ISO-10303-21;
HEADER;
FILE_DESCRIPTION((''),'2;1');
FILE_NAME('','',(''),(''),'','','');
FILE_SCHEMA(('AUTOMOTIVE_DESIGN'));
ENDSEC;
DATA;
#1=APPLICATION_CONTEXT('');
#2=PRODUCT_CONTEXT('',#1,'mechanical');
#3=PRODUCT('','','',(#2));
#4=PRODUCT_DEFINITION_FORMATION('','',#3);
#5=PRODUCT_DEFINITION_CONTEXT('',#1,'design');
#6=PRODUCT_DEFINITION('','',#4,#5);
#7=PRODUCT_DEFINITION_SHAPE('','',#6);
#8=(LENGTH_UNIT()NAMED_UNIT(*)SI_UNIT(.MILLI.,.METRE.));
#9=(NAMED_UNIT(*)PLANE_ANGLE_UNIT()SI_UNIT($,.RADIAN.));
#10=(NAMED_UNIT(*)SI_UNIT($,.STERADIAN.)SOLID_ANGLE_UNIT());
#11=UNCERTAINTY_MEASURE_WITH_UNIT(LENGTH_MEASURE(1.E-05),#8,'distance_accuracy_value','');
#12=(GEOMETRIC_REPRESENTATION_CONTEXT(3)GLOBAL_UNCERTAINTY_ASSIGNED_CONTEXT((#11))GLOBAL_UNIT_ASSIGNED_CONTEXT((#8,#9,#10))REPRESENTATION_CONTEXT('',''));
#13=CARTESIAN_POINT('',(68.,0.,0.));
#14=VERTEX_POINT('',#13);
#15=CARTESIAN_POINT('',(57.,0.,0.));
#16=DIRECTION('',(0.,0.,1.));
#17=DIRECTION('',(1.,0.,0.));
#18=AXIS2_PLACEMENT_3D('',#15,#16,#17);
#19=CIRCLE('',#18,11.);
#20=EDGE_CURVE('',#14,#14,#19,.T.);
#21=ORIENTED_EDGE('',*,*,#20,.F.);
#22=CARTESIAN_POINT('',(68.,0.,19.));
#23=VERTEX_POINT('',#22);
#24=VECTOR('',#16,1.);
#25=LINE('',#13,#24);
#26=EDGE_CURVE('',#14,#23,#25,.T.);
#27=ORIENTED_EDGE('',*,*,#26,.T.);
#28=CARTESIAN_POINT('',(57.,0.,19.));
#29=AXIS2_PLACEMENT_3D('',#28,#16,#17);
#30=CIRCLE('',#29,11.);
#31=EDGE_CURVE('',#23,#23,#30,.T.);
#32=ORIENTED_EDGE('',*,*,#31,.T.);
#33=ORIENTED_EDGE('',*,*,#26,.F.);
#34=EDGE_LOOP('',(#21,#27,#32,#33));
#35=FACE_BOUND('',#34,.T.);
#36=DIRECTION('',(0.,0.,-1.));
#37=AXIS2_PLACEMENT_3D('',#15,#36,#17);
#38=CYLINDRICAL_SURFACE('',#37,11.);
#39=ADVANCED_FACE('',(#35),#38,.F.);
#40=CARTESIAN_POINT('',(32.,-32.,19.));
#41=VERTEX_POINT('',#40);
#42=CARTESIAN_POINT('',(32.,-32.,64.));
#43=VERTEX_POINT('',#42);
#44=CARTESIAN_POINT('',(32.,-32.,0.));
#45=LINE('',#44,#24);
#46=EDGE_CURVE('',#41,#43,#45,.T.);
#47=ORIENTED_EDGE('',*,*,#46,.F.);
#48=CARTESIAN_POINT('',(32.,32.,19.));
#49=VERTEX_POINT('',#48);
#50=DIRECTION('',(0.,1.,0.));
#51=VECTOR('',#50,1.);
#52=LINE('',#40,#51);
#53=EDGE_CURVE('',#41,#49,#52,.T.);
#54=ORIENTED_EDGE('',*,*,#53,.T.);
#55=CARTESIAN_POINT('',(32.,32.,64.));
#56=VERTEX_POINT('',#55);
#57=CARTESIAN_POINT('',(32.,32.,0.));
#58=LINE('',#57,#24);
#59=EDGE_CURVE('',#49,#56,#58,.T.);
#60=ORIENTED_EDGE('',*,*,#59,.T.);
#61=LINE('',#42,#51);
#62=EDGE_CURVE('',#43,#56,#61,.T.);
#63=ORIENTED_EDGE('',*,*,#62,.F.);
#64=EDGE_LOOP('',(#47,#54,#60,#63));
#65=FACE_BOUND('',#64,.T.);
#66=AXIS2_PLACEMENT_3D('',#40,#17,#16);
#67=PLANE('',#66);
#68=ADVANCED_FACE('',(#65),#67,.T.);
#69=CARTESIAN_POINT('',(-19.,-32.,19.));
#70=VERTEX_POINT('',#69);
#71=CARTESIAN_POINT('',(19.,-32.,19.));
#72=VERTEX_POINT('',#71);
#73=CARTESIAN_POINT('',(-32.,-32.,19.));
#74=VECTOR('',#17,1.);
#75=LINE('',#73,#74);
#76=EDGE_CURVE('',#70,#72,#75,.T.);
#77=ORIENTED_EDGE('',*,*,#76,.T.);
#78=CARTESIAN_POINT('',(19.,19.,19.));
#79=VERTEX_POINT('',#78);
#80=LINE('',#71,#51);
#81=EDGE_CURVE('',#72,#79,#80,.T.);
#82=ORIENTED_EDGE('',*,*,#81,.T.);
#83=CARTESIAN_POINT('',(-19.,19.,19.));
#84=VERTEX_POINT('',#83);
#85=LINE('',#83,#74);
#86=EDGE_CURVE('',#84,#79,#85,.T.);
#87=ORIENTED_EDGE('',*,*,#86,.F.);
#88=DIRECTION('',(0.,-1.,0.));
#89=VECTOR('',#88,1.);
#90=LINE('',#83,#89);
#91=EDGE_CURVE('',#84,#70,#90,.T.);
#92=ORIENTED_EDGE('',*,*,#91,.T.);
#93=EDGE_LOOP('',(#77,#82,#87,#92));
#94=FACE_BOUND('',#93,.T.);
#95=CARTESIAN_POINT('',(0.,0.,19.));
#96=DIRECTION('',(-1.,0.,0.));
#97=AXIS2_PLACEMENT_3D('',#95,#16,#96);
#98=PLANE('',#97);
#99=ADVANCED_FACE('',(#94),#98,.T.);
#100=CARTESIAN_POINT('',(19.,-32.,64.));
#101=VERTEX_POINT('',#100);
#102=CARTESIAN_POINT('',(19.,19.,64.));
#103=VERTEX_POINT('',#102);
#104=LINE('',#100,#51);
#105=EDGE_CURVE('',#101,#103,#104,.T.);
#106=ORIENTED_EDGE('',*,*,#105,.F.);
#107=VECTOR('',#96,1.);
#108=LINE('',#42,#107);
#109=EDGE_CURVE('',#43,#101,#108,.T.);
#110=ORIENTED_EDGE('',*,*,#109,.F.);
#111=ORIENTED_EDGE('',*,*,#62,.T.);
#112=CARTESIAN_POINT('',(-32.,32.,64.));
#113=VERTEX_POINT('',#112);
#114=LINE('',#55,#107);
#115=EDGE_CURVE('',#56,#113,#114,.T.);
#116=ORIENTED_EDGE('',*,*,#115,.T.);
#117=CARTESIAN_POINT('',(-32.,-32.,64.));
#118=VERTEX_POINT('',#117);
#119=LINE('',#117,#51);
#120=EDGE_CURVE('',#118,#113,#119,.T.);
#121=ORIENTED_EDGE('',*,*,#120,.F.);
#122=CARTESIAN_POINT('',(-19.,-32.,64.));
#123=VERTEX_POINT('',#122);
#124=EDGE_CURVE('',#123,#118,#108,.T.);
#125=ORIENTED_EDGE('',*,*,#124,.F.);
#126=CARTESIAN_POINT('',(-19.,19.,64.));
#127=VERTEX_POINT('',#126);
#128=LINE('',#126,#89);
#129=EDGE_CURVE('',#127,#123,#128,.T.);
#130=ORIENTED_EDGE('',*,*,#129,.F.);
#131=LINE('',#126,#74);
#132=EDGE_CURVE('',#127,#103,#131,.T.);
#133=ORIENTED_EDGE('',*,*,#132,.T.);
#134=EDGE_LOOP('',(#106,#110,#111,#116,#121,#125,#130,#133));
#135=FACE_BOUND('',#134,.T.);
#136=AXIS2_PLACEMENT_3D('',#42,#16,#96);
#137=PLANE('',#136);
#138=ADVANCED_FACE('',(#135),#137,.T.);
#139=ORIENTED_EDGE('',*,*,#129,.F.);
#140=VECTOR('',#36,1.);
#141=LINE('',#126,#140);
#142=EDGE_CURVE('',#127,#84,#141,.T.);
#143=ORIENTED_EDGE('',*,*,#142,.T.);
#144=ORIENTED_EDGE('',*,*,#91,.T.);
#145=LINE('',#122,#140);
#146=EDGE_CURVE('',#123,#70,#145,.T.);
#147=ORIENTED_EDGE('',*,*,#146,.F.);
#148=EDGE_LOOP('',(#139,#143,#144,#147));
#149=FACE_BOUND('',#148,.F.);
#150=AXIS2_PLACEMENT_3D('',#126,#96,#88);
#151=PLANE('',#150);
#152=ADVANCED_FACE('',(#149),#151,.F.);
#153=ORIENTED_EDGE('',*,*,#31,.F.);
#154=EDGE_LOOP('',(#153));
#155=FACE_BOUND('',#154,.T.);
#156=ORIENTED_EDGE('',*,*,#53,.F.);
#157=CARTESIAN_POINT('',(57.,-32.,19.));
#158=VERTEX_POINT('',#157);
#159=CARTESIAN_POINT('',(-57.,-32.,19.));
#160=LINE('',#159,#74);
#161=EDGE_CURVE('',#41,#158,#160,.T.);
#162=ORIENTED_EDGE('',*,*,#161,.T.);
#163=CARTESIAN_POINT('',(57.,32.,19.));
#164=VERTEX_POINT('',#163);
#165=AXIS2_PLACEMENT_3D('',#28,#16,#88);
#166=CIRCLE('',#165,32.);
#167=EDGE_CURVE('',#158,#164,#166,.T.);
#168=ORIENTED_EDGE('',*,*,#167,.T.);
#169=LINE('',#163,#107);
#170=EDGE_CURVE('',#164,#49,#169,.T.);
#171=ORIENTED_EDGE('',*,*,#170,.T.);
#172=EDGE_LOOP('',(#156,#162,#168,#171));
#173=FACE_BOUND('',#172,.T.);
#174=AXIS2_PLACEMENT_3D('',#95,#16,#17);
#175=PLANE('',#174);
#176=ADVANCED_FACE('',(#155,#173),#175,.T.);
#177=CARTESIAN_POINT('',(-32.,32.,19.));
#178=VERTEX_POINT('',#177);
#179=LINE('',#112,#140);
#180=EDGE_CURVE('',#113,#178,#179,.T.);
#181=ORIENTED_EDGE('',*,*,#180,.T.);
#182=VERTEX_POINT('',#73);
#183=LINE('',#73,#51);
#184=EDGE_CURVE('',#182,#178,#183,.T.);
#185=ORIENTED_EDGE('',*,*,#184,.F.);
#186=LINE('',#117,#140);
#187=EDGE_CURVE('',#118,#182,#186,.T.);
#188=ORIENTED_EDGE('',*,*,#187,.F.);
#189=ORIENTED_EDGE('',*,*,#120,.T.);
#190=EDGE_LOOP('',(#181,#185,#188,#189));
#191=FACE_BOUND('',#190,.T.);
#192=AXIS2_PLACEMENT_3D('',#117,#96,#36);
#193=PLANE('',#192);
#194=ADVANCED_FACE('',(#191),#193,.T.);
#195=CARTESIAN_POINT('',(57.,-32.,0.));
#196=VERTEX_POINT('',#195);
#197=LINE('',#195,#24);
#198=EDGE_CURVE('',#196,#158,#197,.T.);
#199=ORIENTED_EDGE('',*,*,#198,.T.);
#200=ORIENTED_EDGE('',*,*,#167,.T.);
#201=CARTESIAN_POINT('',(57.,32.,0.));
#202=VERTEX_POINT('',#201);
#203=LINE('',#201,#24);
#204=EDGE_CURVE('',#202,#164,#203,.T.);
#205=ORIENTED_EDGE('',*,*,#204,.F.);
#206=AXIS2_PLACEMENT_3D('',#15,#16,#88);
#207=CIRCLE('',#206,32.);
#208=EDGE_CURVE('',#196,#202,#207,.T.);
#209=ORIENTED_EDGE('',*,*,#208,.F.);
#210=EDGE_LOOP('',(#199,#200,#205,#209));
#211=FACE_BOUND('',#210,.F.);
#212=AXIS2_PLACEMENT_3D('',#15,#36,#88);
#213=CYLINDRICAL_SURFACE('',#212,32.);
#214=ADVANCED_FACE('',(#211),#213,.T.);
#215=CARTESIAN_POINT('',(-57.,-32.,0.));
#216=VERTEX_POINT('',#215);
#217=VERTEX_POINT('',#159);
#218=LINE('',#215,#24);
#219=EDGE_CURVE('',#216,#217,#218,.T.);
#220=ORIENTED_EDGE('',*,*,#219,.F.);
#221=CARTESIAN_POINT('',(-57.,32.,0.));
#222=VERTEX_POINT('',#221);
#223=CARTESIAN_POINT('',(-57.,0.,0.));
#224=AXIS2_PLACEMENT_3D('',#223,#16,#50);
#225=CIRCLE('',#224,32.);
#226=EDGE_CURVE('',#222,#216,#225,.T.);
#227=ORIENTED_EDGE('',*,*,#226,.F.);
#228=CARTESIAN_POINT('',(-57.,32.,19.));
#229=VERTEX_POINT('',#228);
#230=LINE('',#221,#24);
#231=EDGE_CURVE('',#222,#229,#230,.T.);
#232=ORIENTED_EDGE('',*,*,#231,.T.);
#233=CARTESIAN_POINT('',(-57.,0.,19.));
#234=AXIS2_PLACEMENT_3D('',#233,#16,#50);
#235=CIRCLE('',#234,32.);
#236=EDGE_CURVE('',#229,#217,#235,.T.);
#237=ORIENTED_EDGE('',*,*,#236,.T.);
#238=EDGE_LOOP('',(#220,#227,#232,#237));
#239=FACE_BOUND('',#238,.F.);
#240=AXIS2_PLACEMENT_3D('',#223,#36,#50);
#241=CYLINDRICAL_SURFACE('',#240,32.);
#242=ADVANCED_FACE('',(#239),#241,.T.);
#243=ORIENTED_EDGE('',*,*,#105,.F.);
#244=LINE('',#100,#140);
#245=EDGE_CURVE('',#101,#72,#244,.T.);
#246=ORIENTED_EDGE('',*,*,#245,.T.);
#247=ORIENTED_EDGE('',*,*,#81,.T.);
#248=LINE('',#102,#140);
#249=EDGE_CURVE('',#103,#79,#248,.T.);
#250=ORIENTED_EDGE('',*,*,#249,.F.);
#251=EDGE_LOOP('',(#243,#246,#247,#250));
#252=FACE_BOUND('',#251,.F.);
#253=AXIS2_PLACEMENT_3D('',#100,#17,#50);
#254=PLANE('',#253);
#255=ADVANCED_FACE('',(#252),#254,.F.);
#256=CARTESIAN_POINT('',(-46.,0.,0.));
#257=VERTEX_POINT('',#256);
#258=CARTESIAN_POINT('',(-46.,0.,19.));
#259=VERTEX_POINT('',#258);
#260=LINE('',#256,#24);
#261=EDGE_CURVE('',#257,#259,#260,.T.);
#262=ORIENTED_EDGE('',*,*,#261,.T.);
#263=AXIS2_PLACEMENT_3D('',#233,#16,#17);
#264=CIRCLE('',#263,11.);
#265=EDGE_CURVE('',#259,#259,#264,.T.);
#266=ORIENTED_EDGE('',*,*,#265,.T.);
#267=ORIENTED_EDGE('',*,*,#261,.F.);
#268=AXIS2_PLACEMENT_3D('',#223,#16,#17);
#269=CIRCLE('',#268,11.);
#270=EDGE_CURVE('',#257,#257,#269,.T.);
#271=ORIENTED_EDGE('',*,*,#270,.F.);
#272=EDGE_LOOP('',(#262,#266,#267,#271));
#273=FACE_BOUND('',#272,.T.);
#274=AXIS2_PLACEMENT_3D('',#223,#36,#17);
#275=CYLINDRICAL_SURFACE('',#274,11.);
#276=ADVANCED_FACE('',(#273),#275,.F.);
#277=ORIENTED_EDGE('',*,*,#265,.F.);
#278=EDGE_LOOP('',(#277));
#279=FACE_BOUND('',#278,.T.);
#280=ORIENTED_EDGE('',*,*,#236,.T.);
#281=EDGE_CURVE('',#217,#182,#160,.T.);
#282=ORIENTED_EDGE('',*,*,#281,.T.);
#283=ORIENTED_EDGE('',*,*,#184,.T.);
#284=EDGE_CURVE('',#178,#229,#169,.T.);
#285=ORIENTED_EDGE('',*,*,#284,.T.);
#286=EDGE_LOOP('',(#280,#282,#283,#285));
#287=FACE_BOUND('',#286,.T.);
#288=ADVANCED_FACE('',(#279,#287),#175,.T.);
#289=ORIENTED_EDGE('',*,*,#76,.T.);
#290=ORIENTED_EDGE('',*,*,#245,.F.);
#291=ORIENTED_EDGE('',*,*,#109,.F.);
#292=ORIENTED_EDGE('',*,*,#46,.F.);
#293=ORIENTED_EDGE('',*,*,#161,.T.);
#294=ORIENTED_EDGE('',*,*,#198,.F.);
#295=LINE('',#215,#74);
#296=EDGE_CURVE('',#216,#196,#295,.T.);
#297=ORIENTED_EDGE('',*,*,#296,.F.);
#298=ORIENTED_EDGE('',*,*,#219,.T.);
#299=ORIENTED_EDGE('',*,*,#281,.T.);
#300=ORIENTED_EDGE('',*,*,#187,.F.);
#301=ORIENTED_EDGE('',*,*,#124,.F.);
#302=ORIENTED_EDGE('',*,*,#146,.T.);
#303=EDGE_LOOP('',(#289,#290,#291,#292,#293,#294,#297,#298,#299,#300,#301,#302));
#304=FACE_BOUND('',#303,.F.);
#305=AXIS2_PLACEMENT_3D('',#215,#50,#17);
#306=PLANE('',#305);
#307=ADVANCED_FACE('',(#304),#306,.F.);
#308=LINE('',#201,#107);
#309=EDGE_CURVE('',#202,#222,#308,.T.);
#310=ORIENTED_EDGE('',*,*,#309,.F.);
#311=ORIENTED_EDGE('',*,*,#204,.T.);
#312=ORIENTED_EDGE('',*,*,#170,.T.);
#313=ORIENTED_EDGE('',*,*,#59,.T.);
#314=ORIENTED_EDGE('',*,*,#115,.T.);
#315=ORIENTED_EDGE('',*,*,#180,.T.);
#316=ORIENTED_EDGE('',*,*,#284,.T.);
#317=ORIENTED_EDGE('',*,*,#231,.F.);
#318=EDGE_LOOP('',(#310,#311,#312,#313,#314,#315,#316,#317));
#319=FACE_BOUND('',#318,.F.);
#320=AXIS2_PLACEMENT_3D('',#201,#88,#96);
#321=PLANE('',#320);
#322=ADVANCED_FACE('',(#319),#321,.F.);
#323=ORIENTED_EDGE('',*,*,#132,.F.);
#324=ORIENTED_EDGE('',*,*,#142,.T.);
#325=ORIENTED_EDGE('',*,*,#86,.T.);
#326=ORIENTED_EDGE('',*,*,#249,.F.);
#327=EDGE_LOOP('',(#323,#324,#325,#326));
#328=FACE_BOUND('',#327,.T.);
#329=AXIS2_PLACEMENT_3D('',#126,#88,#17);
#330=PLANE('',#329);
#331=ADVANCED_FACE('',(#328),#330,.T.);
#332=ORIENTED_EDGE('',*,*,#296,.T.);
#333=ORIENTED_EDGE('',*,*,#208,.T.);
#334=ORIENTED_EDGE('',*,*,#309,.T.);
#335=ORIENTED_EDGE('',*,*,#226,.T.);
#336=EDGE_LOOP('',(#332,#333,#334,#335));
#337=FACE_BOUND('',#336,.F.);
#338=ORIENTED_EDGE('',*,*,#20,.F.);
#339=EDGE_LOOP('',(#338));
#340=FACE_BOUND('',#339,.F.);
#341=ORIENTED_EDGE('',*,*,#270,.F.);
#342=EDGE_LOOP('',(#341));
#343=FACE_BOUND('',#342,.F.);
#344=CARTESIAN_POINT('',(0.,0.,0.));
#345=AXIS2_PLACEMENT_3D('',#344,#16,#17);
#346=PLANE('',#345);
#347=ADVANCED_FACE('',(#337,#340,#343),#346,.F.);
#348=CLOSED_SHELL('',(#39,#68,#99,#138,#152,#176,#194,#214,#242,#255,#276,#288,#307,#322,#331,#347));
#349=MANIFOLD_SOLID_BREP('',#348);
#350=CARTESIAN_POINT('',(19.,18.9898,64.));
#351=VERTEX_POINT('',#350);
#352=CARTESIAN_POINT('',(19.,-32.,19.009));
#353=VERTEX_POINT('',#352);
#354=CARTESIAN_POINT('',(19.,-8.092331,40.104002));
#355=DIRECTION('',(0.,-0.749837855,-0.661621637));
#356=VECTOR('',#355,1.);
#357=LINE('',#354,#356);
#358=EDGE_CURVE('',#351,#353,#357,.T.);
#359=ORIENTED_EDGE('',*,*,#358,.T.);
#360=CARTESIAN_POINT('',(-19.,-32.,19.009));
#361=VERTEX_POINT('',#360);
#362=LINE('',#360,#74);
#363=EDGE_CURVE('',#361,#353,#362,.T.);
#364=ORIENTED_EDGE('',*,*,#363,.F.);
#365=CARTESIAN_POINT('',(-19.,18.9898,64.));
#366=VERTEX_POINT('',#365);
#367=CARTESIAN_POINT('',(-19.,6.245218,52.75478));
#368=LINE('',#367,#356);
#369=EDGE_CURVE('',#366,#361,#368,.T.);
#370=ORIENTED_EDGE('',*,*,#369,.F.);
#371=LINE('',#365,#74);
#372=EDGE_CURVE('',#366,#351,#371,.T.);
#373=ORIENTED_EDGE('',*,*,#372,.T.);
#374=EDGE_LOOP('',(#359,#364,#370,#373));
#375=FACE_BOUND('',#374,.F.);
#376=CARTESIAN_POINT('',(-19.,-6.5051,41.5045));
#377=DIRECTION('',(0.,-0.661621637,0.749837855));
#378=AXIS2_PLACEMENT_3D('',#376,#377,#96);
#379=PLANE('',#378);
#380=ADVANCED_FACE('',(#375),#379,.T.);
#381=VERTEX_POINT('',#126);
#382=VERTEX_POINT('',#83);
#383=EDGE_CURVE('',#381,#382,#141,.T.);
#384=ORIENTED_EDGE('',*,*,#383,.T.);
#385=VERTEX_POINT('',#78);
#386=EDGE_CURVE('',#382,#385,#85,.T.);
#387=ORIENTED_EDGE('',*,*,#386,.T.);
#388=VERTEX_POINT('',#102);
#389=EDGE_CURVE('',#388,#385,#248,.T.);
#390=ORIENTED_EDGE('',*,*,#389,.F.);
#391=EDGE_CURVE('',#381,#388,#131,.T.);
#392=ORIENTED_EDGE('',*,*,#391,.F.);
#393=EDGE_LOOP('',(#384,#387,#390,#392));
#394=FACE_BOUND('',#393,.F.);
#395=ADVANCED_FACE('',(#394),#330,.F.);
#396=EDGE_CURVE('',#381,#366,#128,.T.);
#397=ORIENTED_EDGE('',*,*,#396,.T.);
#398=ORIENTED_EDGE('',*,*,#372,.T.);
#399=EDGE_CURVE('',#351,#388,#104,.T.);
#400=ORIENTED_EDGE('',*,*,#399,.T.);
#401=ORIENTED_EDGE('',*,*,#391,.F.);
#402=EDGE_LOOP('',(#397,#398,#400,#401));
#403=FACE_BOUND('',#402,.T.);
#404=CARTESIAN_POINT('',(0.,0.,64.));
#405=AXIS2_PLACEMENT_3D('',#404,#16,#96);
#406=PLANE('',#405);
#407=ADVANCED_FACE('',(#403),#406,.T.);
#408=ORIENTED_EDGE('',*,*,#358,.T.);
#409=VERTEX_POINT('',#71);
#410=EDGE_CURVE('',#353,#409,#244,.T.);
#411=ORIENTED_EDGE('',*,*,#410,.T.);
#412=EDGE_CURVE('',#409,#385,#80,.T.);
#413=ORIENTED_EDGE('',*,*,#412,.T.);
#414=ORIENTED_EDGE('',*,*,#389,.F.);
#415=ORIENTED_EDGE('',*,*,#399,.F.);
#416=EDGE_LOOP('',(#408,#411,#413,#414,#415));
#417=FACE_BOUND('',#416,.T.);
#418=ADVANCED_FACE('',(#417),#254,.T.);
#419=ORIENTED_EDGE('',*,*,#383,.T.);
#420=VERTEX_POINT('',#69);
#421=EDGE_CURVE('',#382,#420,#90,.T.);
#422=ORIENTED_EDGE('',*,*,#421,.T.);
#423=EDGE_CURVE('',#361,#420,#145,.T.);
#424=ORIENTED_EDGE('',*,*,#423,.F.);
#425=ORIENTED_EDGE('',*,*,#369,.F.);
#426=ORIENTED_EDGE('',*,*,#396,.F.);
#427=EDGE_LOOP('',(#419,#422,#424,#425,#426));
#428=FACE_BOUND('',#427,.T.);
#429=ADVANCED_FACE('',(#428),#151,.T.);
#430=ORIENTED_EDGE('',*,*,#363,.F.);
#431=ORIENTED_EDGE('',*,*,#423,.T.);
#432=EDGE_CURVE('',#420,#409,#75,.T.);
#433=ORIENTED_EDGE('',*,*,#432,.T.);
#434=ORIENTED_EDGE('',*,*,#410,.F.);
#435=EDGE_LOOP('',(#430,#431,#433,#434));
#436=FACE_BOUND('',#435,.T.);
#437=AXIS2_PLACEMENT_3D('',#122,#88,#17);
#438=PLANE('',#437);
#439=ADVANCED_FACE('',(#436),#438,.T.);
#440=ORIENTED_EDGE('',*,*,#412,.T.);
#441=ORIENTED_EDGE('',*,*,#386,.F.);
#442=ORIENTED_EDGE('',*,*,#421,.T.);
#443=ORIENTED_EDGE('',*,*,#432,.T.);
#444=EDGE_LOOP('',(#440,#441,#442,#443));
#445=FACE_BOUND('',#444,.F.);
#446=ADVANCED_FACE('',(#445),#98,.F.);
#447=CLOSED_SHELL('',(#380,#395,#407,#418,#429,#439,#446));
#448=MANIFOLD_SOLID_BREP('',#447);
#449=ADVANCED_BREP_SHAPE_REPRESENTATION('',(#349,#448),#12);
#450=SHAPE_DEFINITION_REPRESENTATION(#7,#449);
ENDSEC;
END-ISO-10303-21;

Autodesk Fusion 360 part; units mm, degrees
sketch "Bottom Sketch" plane through (0, 0, 0) normal (0, 0, 1) x (1, 0, 0)
  line L0 (-57, -32) -> (57, -32)
  line L1 (57, 32) -> (-57, 32)
  circle A0 centre (-57, 0) radius 11
  circle A1 centre (57, 0) radius 11
  arc A2 (-57, 32) -> (-57, -32) centre (-57, 0) ccw
  arc A3 (57, -32) -> (57, 32) centre (57, 0) ccw
  dimension "d1" = 114
  dimension "d2" = 64
  dimension "d7" = 64
  dimension "d8" = 64
  dimension "d9" = 22
  dimension "d10" = 22
extrude "Extrude1" add sketch "Bottom Sketch" along normal blind 19 makes body 1
sketch "Main Construction" plane through (0, -32, 0) normal (0, -1, 0) x (1, 0, 0)
  line L0 (-57, 0) -> (57, 0)
  line L1 (57, 0) -> (57, 19)
  line L2 (57, 19) -> (-57, 19)
  line L3 (-57, 19) -> (-57, 0)
  line L4 (-32, 0) -> (32, 0)
  line L5 (32, 0) -> (32, 64)
  line L6 (32, 64) -> (-32, 64)
  line L7 (-32, 64) -> (-32, 0)
  dimension "d13" = 64
  dimension "d14" = 64
  dimension "d15" = 25
extrude "Extrude2" add sketch "Main Construction" against normal blind 64 contours L2 L5 L6 L7 bodies 1
sketch "Top" plane through (0, 0, 64) normal (0, 0, 1) x (-1, 0, 0)
  line L0 (32, 32) -> (-32, 32)
  line L1 (-32, 32) -> (-32, -32)
  line L2 (-32, -32) -> (32, -32)
  line L3 (32, -32) -> (32, 32)
  line L4 (19, -19) -> (19, 32) construction
  line L5 (-19, -19) -> (-19, 32) construction
  line L6 (19, -19) -> (-19, -19) construction
  line L7 (19, -19) -> (19, 32)
  line L8 (19, -19) -> (-19, -19)
  line L9 (-19, 32) -> (-19, -19)
  dimension "d18" = 38
  dimension "d19" = 13
  dimension "d20" = 13
extrude "Extrude3" cut sketch "Top" against normal blind 45 contours L0 L7 L8 L9 bodies 1
extrude "Extrude4" add sketch "Top" against normal blind 45 separate body contours L0 L7 L8 L9 makes body 2
chamfer "Chamfer1" distance 51 distance2 45 1 edges at (0, -32, 64) measured on face at (-6.3333, 2, 64) on bodies 2
sketch "Sketch5" plane through (32, 0, 0) normal (1, 0, 0) x (0, 1, 0)
  line L0 (-32, 64) -> (-32, 19)
  line L1 (-32, 19) -> (32, 19)
  line L2 (32, 19) -> (32, 64)
  line L3 (32, 64) -> (-32, 64)
  line L4 (-32, 64) -> (19, 64)
  line L5 (19, 64) -> (19, 19)
  dimension "d25" = 51
  dimension "d26" = 45
sketch "Sketch6" plane through (0, 0, 0) normal (1, 0, 0) x (0, 1, 0)
  line L0 (-32, 64) -> (-32, 19)
  line L1 (-32, 19) -> (19, 19)
sketch "Sketch4" plane through (32, 0, 0) normal (1, 0, 0) x (0, 1, 0)
  line L0 (-32, 64) -> (-32, 19)
  line L1 (-32, 19) -> (32, 19)
  line L2 (32, 19) -> (32, 64)
  line L3 (32, 64) -> (-32, 64)
  line L4 (19.1401, 64) -> (19.1401, 19)
  line L5 (-32, 19) -> (-32, 64)
  line L6 (-32, 64) -> (19.1401, 64)
equation "d20 = ( ( 64 - 38 ) / 2 ) * 1 mm"
equation "d21 = -( 64 mm - 19 mm )"
equation "d23 = -( 64 mm - 19 mm )"
equation "d26 = 64 mm - 19 mm"
equation "d28 = 64 mm - 19 mm"
